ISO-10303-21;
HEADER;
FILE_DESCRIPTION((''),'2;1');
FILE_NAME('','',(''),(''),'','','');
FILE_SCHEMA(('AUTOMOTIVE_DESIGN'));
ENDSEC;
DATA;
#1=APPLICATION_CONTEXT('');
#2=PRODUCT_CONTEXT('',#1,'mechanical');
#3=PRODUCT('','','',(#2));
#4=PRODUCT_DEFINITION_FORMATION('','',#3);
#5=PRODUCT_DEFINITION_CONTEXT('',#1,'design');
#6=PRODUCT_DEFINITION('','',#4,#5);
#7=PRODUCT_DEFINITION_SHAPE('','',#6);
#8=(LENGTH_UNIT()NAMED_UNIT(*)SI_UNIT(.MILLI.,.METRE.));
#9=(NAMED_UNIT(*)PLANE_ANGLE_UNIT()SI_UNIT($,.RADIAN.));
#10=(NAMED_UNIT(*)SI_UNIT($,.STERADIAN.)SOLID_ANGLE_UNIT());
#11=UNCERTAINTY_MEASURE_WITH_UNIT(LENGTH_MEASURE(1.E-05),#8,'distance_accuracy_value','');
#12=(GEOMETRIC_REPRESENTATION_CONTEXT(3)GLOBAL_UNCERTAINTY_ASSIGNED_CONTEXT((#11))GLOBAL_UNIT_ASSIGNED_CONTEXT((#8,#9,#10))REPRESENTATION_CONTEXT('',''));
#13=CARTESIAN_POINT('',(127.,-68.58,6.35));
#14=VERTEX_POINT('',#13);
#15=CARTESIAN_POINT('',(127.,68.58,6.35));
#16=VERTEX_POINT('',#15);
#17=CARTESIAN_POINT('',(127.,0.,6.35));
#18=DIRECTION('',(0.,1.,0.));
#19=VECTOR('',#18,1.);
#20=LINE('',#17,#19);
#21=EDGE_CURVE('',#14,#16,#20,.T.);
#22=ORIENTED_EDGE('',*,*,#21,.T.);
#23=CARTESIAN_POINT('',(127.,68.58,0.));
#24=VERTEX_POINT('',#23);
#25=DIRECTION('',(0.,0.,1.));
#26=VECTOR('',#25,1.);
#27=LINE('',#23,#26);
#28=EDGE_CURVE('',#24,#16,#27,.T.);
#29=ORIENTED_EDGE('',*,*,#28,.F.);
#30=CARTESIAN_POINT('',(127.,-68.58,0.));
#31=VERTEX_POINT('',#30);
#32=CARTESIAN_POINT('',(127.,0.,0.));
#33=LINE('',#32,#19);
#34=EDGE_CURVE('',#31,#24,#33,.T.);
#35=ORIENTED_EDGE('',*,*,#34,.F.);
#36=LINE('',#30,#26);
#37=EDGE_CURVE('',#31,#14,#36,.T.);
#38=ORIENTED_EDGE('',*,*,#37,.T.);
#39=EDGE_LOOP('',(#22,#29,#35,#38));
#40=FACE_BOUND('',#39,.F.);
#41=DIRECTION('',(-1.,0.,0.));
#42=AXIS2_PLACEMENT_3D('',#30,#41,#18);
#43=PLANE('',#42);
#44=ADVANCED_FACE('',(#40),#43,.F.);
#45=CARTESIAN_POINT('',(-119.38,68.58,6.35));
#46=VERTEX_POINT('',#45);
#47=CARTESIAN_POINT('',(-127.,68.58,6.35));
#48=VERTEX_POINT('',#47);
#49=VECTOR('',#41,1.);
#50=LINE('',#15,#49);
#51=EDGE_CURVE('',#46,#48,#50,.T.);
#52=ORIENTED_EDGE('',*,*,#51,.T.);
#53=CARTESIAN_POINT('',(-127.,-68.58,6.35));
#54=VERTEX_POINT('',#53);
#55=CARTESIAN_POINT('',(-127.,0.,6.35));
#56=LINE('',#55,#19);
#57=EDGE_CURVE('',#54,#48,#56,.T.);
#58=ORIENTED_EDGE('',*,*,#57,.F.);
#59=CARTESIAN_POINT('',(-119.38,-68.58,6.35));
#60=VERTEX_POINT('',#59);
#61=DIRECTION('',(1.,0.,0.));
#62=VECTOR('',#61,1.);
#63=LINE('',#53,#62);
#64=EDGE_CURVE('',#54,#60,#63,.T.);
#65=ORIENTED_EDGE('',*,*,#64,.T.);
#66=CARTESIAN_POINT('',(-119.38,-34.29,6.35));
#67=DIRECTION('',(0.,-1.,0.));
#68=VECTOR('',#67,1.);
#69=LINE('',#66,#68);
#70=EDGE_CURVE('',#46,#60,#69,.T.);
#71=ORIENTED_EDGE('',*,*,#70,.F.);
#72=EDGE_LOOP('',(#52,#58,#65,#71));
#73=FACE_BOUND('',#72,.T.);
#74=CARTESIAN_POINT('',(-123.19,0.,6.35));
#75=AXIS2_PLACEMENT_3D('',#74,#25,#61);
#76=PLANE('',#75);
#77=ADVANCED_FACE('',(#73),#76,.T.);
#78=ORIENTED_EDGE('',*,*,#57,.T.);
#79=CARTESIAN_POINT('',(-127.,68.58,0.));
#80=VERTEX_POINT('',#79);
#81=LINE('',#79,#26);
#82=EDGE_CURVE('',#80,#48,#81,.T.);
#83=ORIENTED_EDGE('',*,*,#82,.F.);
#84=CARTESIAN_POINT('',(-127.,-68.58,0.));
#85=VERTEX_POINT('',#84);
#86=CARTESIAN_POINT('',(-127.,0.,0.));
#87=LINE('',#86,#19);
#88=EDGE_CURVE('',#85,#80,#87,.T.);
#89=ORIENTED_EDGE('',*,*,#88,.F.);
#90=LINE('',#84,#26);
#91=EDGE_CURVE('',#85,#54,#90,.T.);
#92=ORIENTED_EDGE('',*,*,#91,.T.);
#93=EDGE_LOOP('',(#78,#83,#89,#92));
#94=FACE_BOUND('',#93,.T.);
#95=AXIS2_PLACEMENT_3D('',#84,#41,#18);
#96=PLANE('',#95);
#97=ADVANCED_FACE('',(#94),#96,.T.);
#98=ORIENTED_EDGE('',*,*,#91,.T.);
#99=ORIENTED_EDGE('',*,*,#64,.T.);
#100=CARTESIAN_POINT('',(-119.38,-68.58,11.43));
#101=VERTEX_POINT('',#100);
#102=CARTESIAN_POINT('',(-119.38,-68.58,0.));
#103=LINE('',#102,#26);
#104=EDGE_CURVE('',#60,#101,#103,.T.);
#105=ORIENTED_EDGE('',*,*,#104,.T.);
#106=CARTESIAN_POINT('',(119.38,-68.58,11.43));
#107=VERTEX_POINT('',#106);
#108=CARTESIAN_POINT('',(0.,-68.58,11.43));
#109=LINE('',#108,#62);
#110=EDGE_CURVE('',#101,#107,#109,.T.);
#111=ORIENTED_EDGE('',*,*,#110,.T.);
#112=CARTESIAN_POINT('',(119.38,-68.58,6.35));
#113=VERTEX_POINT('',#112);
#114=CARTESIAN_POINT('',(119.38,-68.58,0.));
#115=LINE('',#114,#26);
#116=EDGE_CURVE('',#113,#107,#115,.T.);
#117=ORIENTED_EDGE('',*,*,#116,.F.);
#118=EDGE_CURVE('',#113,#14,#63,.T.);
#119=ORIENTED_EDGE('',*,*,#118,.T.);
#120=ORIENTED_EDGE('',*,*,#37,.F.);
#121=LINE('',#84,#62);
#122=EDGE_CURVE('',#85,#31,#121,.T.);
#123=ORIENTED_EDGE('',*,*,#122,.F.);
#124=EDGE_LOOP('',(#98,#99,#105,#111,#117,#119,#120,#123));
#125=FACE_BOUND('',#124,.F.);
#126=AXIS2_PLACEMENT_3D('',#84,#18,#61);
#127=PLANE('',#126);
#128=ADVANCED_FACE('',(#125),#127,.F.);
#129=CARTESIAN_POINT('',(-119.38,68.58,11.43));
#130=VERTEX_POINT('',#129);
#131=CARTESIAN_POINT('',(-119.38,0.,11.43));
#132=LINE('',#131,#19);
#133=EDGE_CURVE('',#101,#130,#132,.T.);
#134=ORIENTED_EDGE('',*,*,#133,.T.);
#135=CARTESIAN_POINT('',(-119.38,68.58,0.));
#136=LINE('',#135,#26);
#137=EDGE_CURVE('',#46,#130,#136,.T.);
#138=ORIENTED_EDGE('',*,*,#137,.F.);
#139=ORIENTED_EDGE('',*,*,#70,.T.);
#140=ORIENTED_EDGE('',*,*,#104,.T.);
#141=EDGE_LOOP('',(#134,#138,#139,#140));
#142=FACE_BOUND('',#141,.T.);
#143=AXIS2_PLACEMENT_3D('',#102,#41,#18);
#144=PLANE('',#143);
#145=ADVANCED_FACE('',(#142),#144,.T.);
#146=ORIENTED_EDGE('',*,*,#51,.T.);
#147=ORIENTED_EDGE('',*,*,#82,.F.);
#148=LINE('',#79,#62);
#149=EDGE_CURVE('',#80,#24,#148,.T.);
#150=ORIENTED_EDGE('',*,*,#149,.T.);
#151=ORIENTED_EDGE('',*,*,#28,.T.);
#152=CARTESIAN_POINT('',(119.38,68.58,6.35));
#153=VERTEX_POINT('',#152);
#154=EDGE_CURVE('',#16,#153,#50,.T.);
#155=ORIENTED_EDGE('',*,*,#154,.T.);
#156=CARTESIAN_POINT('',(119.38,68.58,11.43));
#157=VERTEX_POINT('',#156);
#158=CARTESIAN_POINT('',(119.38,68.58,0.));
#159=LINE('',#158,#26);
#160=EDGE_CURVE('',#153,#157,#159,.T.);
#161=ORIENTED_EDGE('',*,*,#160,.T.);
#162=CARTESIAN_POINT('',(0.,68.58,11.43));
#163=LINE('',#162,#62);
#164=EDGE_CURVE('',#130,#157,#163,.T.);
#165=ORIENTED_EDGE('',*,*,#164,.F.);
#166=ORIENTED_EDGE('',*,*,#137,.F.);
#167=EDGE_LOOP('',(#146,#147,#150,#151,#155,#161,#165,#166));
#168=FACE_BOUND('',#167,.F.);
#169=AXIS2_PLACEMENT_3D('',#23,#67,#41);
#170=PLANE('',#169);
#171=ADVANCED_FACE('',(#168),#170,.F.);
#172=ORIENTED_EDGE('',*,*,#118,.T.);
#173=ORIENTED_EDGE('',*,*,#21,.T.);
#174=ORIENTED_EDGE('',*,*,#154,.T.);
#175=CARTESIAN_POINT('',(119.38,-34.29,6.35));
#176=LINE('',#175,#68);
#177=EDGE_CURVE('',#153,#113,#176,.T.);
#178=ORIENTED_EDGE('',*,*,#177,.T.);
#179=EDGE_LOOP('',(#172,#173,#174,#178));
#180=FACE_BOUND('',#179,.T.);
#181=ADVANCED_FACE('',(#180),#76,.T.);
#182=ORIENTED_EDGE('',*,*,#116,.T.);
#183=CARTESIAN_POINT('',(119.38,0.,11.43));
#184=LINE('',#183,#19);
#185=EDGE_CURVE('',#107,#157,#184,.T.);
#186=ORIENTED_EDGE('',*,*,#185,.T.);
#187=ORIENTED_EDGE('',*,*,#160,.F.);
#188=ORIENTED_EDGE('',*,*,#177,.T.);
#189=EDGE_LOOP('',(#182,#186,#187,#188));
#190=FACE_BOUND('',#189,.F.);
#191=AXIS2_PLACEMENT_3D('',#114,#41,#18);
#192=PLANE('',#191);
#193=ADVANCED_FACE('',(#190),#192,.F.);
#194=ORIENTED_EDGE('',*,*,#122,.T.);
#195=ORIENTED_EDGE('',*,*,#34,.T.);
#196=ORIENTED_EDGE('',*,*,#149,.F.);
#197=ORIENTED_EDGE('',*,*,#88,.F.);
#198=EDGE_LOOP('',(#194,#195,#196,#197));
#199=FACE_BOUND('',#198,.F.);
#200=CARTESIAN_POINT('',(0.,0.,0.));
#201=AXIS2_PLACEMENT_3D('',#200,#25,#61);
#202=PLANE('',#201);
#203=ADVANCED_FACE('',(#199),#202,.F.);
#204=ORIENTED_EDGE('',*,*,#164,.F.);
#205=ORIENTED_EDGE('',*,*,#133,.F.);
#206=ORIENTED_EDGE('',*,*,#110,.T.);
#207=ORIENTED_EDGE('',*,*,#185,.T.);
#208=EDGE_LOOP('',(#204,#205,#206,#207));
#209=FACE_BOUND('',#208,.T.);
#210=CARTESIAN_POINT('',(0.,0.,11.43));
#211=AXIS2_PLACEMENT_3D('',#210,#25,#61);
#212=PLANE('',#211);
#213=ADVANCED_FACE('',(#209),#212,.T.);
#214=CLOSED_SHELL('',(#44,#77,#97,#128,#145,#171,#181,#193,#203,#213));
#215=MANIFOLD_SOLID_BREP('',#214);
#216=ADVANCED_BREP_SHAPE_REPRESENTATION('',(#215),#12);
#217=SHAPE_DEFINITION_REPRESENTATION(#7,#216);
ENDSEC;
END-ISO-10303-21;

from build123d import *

# Parameters (mm, degrees)
F0_W     = 7.62
F0_H     = 137.16
F0_W_2   = 238.76
F1_DEPTH = 6.35
F2_DEPTH = 11.43


with BuildPart() as f1:
    # F0 (on Top) → F1 (new body)
    with BuildSketch(Plane.XY):
        with Locations((-123.19, 0)):
            Rectangle(F0_W, F0_H)
        Rectangle(F0_W_2, F0_H)
        with Locations((123.19, 0)):
            Rectangle(F0_W, F0_H)
    extrude(amount=F1_DEPTH)

    # F0 (on Top) → F2 (join)
    with BuildSketch(Plane.XY):
        Rectangle(F0_W_2, F0_H)
    extrude(amount=F2_DEPTH)


solid = f1.part
